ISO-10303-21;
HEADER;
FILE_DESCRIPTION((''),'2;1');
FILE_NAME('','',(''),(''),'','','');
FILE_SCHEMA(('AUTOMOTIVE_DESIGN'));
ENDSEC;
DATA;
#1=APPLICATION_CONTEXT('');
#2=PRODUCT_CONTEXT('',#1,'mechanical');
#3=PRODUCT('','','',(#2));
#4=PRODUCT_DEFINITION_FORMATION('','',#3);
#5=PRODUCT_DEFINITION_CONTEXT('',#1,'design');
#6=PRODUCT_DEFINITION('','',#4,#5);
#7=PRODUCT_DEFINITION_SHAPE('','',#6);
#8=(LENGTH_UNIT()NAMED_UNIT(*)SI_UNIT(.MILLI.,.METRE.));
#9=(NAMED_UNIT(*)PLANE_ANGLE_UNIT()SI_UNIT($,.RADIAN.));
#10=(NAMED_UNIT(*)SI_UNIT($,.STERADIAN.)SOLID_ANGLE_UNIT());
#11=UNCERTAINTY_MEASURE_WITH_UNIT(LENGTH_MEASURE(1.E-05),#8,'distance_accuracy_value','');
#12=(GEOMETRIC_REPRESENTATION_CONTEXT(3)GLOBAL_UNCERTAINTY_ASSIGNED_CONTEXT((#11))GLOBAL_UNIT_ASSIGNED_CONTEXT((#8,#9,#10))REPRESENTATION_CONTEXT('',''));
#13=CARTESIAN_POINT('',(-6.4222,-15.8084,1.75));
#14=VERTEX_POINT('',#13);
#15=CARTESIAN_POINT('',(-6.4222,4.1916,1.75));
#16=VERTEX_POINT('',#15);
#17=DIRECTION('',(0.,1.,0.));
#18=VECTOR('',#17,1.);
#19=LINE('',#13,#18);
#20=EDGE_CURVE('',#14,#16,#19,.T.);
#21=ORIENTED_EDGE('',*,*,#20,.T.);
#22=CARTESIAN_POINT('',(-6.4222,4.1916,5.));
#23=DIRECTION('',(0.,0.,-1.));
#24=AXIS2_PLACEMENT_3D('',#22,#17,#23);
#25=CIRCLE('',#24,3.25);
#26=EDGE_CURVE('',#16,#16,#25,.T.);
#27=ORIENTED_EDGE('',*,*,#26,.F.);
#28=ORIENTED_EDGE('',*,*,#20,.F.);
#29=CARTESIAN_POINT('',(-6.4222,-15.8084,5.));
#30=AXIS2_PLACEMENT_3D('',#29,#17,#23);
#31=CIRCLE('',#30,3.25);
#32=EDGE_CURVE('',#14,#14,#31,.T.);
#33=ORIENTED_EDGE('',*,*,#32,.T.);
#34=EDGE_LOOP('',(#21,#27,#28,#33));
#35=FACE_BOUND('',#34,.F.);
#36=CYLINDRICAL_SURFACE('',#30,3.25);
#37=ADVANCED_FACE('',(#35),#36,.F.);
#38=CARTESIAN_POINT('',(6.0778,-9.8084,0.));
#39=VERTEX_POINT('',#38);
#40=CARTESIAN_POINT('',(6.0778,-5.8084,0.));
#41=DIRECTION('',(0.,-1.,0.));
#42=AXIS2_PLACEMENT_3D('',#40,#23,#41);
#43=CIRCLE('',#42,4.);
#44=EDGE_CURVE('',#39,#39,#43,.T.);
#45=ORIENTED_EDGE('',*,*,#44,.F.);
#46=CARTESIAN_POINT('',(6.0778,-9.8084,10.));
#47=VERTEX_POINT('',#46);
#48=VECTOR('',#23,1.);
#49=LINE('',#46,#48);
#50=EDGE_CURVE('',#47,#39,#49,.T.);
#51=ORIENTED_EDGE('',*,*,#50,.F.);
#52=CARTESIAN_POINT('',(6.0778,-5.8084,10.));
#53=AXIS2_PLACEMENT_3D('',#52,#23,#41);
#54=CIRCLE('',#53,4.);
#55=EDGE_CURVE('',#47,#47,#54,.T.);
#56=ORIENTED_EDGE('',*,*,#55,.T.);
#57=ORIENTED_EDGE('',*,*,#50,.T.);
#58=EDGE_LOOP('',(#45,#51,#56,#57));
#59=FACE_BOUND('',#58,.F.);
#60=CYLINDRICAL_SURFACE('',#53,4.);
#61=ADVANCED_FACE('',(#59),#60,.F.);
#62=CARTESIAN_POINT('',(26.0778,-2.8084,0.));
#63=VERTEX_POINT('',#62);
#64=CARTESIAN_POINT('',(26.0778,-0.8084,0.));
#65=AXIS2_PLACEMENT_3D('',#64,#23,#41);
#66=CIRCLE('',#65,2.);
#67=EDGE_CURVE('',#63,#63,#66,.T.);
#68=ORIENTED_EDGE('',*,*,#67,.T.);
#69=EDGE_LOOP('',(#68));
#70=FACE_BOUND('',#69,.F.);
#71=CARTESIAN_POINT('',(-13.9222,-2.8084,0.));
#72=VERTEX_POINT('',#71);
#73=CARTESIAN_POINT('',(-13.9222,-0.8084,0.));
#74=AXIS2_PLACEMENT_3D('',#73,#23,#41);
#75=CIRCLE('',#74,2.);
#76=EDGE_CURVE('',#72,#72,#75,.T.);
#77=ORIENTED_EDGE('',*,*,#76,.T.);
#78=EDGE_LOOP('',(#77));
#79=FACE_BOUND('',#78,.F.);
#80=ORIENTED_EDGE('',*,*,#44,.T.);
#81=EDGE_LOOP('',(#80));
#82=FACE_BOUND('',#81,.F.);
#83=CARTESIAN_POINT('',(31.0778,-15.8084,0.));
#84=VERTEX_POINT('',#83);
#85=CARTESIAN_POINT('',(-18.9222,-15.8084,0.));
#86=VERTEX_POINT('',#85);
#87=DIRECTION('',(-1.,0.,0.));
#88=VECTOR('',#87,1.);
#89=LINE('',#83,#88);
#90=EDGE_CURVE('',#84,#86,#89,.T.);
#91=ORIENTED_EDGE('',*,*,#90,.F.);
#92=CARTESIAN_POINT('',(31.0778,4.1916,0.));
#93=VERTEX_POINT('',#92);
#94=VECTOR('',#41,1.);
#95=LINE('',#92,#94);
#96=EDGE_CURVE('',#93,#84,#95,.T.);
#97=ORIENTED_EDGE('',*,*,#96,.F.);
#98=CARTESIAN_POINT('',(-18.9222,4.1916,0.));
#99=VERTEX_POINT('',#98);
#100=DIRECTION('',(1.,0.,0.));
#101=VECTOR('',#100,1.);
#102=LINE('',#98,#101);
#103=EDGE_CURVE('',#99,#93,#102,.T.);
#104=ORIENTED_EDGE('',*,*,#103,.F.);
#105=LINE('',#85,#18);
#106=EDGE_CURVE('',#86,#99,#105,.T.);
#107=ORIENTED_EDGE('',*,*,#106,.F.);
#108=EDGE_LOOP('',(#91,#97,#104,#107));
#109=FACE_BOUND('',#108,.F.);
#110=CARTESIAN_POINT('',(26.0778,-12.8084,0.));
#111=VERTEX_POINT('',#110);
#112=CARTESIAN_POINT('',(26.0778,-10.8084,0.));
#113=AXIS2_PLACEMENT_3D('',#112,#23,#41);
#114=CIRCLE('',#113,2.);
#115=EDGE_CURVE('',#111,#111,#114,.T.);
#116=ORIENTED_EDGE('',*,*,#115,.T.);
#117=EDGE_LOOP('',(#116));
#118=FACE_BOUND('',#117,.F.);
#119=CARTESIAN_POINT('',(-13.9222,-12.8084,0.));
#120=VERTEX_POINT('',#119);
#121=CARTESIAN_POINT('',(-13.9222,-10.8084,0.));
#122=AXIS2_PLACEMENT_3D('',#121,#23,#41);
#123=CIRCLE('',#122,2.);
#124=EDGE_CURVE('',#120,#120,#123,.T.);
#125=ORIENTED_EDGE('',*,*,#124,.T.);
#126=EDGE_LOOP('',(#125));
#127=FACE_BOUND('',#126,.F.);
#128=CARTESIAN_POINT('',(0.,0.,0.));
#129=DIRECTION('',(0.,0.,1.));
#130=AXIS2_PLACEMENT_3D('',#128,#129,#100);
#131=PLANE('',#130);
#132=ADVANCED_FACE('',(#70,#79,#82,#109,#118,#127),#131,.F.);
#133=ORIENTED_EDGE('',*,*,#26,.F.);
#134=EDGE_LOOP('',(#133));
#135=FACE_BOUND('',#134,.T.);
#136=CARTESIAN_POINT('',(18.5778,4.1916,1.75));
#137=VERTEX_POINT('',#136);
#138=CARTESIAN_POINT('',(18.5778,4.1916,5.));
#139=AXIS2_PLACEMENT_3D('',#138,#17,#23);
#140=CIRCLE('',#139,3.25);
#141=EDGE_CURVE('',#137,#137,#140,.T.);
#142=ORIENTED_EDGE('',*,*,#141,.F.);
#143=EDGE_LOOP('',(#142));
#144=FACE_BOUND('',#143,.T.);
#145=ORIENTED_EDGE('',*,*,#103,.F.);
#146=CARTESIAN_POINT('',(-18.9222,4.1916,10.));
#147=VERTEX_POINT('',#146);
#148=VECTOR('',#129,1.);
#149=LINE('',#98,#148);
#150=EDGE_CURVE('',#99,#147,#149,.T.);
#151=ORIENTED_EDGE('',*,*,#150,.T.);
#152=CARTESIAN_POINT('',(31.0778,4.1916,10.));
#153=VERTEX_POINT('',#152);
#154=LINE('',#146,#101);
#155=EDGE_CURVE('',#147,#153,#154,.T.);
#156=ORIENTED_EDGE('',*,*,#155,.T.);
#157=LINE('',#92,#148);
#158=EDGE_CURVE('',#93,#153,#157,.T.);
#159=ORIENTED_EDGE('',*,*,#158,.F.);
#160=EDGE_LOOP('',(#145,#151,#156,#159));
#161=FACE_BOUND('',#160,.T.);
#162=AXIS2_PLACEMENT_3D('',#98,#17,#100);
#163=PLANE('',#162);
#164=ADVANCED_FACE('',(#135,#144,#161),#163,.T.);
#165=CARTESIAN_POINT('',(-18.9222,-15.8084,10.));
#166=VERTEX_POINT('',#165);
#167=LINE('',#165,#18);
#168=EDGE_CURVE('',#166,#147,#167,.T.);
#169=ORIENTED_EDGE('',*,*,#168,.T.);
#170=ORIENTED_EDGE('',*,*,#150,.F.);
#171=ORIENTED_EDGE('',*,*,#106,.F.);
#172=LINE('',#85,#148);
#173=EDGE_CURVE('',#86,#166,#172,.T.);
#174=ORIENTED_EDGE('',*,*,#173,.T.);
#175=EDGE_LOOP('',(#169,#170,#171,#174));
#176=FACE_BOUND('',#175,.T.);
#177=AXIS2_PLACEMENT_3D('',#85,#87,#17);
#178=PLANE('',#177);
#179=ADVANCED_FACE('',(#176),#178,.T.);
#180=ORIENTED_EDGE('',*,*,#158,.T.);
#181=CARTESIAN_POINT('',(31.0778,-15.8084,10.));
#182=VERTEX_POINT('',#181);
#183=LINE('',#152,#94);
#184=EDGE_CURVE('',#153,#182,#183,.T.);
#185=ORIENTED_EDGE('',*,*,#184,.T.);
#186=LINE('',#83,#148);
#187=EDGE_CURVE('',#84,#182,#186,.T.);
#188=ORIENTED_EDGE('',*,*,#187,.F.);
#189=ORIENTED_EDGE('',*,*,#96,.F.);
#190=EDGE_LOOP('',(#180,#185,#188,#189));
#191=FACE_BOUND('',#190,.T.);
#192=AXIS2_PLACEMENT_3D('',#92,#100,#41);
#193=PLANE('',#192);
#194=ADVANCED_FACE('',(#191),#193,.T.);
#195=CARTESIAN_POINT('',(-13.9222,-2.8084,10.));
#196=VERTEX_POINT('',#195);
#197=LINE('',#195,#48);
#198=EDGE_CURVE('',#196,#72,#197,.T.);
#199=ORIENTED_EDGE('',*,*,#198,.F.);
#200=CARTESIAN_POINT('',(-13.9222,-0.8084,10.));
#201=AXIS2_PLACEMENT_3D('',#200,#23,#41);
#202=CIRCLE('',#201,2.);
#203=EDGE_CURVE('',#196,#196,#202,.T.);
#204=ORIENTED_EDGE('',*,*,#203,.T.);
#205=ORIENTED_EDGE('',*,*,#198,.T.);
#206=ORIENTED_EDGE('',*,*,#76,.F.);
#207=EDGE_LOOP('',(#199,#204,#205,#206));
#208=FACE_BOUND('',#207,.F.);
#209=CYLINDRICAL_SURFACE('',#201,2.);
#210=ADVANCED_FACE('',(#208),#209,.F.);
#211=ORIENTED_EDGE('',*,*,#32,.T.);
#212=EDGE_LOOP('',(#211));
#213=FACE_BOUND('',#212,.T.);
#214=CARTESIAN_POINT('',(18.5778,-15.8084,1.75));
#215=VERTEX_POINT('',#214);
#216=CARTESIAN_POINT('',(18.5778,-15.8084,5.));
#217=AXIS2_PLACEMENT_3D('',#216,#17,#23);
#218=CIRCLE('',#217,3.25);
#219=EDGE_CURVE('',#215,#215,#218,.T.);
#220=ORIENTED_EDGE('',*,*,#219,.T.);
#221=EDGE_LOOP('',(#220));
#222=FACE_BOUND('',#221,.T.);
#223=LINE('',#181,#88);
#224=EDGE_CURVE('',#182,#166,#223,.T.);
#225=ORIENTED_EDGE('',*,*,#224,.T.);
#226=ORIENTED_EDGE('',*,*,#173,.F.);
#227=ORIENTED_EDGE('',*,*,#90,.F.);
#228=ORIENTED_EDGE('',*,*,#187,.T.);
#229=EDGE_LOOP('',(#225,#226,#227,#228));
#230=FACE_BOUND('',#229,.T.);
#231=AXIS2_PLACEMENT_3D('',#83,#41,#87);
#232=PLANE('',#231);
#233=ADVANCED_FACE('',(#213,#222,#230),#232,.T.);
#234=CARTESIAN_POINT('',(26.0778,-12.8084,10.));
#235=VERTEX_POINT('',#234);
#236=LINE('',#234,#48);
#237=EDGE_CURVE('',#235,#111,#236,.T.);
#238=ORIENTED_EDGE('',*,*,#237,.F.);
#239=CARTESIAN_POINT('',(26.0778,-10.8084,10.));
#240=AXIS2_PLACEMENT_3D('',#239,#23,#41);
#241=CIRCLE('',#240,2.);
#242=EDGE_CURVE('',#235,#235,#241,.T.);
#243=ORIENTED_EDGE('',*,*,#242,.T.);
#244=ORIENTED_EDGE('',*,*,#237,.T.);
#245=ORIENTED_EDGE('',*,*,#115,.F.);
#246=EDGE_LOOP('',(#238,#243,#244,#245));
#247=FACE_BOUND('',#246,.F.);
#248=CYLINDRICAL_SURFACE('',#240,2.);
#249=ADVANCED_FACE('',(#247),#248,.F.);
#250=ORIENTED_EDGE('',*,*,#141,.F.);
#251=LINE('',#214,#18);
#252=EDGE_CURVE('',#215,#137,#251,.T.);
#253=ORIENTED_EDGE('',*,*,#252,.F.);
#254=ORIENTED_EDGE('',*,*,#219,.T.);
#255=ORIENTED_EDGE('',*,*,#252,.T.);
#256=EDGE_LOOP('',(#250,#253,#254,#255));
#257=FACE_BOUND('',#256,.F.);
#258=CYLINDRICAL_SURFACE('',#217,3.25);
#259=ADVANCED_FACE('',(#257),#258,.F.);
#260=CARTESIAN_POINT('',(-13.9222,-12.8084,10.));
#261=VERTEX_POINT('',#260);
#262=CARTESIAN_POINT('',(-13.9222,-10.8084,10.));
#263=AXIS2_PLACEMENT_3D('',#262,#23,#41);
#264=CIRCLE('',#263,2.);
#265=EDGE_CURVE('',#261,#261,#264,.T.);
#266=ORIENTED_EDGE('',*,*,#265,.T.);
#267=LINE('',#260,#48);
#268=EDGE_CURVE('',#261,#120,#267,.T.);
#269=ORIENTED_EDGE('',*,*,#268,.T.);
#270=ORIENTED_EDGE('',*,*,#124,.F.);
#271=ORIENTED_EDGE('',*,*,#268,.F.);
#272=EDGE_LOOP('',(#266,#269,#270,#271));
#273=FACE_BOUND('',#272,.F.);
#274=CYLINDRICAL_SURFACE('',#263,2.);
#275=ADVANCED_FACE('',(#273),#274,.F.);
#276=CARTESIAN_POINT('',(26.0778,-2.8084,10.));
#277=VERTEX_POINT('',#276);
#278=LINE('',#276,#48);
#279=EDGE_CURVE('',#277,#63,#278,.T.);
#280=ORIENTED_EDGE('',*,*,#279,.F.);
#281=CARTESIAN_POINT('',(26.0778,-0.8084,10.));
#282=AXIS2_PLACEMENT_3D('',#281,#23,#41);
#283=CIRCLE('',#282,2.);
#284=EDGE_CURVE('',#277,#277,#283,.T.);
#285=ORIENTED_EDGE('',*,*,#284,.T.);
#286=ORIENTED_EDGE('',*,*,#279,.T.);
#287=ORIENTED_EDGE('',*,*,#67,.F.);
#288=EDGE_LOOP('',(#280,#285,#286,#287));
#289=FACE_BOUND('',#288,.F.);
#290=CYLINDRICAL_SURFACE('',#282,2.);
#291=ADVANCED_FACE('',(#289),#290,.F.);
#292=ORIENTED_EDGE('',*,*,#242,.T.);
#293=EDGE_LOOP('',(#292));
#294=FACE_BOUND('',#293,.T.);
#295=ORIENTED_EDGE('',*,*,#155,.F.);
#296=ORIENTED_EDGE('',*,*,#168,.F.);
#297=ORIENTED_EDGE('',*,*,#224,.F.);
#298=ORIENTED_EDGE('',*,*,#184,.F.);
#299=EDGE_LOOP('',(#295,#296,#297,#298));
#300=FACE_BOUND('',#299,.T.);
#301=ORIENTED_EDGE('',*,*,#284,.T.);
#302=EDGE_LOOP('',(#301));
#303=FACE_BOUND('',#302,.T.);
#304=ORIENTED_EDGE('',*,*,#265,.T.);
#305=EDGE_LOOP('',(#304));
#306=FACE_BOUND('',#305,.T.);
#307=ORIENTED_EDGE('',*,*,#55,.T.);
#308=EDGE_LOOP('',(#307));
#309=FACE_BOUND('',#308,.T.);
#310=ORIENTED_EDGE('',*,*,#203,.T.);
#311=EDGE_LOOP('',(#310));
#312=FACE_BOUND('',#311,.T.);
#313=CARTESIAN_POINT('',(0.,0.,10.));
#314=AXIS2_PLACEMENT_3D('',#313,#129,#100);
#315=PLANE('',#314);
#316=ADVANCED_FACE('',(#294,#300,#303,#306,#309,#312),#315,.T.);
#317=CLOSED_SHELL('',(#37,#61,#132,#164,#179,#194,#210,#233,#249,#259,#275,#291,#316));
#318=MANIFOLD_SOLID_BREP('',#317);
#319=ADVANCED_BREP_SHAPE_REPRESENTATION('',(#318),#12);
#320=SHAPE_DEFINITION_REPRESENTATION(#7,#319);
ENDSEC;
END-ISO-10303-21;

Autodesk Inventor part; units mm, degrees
ref_plane "YZ Plane" through (0, 0, 0) normal (1, 0, 0) x (0, 1, 0)
ref_plane "XZ Plane" through (0, 0, 0) normal (0, 1, 0) x (-1, 0, 0)
ref_plane "XY Plane" through (0, 0, 0) normal (0, 0, 1) x (1, 0, 0)
sketch "Sketch1" plane through (0, 0, 0) normal (0, 0, 1) x (1, 0, 0)
  line L0 (-18.9222, 4.1916) -> (31.0778, 4.1916)
  line L1 (31.0778, 4.1916) -> (31.0778, -15.8084)
  line L2 (31.0778, -15.8084) -> (-18.9222, -15.8084)
  line L3 (-18.9222, -15.8084) -> (-18.9222, 4.1916)
  dimension "d2" = 50
  dimension "d3" = 20
extrude "Extrusion1" add sketch "Sketch1" along normal blind 10
sketch "Sketch2" plane through (-18.9222, -15.8084, 0) normal (0, -1, 0) x (1, 0, 0)
  line L0 (0, 0) -> (0, 10) projected
  line L1 (50, 0) -> (50, 10) projected
  point P0 (18.9222, 0)
  point P1 (12.5, 5)
  point P2 (37.5, 5)
  dimension "d6" = 12.5
  dimension "d7" = 12.5
  dimension "d35" = 50
hole "Hole1" at (-6.4222, -15.8084, 5) at (18.5778, -15.8084, 5) direction (0, 1, 0) diameter 6.5 end through all
sketch "Sketch3" plane through (0, 0, 10) normal (0, 0, 1) x (1, 0, 0)
  line L0 (31.0778, 4.1916) -> (31.0778, -15.8084) projected
  line L1 (31.0778, -15.8084) -> (-18.9222, -15.8084) projected
  point P0 (0, 0)
  point P1 (6.0778, -5.8084)
  dimension "d36" = 20
  dimension "d37" = 50
  dimension "d38" = 25
  dimension "d39" = 10
hole "Hole2" at (6.0778, -5.8084, 10) direction (0, 0, -1) diameter 8 end through all
sketch "Sketch4" plane through (0, 0, 10) normal (0, 0, 1) x (1, 0, 0)
  line L0 (-18.9222, -15.8084) -> (-18.9222, 4.1916) projected
  line L1 (31.0778, -15.8084) -> (-18.9222, -15.8084) projected
  line L2 (-13.9222, -0.8084) -> (26.0778, -0.8084)
  line L3 (26.0778, -0.8084) -> (26.0778, -10.8084)
  line L4 (26.0778, -10.8084) -> (-13.9222, -10.8084)
  line L5 (-13.9222, -10.8084) -> (-13.9222, -0.8084)
  point P0 (31.0778, 4.1916)
  point P1 (0, 0)
  dimension "d22" = 50
  dimension "d23" = 40
  dimension "d24" = 10
  dimension "d25" = 20
  dimension "d26" = 5
  dimension "d27" = 5
hole "Hole3" at (-13.9222, -0.8084, 10) at (26.0778, -0.8084, 10) at (26.0778, -10.8084, 10) at (-13.9222, -10.8084, 10) direction (0, 0, -1) diameter 4 end through all
equation "\"d6\" = d7"
equation "\"d7\" = 0.25 * d35"
equation "\"d38\" = 0.5 * d37"
equation "\"d39\" = 0.5 * d36"
equation "\"d26\" = -0.5 * d24 + 0.5 * d25"
equation "\"d27\" = -0.5 * d23 + 0.5 * d22"
properties part number "montura tensor"
